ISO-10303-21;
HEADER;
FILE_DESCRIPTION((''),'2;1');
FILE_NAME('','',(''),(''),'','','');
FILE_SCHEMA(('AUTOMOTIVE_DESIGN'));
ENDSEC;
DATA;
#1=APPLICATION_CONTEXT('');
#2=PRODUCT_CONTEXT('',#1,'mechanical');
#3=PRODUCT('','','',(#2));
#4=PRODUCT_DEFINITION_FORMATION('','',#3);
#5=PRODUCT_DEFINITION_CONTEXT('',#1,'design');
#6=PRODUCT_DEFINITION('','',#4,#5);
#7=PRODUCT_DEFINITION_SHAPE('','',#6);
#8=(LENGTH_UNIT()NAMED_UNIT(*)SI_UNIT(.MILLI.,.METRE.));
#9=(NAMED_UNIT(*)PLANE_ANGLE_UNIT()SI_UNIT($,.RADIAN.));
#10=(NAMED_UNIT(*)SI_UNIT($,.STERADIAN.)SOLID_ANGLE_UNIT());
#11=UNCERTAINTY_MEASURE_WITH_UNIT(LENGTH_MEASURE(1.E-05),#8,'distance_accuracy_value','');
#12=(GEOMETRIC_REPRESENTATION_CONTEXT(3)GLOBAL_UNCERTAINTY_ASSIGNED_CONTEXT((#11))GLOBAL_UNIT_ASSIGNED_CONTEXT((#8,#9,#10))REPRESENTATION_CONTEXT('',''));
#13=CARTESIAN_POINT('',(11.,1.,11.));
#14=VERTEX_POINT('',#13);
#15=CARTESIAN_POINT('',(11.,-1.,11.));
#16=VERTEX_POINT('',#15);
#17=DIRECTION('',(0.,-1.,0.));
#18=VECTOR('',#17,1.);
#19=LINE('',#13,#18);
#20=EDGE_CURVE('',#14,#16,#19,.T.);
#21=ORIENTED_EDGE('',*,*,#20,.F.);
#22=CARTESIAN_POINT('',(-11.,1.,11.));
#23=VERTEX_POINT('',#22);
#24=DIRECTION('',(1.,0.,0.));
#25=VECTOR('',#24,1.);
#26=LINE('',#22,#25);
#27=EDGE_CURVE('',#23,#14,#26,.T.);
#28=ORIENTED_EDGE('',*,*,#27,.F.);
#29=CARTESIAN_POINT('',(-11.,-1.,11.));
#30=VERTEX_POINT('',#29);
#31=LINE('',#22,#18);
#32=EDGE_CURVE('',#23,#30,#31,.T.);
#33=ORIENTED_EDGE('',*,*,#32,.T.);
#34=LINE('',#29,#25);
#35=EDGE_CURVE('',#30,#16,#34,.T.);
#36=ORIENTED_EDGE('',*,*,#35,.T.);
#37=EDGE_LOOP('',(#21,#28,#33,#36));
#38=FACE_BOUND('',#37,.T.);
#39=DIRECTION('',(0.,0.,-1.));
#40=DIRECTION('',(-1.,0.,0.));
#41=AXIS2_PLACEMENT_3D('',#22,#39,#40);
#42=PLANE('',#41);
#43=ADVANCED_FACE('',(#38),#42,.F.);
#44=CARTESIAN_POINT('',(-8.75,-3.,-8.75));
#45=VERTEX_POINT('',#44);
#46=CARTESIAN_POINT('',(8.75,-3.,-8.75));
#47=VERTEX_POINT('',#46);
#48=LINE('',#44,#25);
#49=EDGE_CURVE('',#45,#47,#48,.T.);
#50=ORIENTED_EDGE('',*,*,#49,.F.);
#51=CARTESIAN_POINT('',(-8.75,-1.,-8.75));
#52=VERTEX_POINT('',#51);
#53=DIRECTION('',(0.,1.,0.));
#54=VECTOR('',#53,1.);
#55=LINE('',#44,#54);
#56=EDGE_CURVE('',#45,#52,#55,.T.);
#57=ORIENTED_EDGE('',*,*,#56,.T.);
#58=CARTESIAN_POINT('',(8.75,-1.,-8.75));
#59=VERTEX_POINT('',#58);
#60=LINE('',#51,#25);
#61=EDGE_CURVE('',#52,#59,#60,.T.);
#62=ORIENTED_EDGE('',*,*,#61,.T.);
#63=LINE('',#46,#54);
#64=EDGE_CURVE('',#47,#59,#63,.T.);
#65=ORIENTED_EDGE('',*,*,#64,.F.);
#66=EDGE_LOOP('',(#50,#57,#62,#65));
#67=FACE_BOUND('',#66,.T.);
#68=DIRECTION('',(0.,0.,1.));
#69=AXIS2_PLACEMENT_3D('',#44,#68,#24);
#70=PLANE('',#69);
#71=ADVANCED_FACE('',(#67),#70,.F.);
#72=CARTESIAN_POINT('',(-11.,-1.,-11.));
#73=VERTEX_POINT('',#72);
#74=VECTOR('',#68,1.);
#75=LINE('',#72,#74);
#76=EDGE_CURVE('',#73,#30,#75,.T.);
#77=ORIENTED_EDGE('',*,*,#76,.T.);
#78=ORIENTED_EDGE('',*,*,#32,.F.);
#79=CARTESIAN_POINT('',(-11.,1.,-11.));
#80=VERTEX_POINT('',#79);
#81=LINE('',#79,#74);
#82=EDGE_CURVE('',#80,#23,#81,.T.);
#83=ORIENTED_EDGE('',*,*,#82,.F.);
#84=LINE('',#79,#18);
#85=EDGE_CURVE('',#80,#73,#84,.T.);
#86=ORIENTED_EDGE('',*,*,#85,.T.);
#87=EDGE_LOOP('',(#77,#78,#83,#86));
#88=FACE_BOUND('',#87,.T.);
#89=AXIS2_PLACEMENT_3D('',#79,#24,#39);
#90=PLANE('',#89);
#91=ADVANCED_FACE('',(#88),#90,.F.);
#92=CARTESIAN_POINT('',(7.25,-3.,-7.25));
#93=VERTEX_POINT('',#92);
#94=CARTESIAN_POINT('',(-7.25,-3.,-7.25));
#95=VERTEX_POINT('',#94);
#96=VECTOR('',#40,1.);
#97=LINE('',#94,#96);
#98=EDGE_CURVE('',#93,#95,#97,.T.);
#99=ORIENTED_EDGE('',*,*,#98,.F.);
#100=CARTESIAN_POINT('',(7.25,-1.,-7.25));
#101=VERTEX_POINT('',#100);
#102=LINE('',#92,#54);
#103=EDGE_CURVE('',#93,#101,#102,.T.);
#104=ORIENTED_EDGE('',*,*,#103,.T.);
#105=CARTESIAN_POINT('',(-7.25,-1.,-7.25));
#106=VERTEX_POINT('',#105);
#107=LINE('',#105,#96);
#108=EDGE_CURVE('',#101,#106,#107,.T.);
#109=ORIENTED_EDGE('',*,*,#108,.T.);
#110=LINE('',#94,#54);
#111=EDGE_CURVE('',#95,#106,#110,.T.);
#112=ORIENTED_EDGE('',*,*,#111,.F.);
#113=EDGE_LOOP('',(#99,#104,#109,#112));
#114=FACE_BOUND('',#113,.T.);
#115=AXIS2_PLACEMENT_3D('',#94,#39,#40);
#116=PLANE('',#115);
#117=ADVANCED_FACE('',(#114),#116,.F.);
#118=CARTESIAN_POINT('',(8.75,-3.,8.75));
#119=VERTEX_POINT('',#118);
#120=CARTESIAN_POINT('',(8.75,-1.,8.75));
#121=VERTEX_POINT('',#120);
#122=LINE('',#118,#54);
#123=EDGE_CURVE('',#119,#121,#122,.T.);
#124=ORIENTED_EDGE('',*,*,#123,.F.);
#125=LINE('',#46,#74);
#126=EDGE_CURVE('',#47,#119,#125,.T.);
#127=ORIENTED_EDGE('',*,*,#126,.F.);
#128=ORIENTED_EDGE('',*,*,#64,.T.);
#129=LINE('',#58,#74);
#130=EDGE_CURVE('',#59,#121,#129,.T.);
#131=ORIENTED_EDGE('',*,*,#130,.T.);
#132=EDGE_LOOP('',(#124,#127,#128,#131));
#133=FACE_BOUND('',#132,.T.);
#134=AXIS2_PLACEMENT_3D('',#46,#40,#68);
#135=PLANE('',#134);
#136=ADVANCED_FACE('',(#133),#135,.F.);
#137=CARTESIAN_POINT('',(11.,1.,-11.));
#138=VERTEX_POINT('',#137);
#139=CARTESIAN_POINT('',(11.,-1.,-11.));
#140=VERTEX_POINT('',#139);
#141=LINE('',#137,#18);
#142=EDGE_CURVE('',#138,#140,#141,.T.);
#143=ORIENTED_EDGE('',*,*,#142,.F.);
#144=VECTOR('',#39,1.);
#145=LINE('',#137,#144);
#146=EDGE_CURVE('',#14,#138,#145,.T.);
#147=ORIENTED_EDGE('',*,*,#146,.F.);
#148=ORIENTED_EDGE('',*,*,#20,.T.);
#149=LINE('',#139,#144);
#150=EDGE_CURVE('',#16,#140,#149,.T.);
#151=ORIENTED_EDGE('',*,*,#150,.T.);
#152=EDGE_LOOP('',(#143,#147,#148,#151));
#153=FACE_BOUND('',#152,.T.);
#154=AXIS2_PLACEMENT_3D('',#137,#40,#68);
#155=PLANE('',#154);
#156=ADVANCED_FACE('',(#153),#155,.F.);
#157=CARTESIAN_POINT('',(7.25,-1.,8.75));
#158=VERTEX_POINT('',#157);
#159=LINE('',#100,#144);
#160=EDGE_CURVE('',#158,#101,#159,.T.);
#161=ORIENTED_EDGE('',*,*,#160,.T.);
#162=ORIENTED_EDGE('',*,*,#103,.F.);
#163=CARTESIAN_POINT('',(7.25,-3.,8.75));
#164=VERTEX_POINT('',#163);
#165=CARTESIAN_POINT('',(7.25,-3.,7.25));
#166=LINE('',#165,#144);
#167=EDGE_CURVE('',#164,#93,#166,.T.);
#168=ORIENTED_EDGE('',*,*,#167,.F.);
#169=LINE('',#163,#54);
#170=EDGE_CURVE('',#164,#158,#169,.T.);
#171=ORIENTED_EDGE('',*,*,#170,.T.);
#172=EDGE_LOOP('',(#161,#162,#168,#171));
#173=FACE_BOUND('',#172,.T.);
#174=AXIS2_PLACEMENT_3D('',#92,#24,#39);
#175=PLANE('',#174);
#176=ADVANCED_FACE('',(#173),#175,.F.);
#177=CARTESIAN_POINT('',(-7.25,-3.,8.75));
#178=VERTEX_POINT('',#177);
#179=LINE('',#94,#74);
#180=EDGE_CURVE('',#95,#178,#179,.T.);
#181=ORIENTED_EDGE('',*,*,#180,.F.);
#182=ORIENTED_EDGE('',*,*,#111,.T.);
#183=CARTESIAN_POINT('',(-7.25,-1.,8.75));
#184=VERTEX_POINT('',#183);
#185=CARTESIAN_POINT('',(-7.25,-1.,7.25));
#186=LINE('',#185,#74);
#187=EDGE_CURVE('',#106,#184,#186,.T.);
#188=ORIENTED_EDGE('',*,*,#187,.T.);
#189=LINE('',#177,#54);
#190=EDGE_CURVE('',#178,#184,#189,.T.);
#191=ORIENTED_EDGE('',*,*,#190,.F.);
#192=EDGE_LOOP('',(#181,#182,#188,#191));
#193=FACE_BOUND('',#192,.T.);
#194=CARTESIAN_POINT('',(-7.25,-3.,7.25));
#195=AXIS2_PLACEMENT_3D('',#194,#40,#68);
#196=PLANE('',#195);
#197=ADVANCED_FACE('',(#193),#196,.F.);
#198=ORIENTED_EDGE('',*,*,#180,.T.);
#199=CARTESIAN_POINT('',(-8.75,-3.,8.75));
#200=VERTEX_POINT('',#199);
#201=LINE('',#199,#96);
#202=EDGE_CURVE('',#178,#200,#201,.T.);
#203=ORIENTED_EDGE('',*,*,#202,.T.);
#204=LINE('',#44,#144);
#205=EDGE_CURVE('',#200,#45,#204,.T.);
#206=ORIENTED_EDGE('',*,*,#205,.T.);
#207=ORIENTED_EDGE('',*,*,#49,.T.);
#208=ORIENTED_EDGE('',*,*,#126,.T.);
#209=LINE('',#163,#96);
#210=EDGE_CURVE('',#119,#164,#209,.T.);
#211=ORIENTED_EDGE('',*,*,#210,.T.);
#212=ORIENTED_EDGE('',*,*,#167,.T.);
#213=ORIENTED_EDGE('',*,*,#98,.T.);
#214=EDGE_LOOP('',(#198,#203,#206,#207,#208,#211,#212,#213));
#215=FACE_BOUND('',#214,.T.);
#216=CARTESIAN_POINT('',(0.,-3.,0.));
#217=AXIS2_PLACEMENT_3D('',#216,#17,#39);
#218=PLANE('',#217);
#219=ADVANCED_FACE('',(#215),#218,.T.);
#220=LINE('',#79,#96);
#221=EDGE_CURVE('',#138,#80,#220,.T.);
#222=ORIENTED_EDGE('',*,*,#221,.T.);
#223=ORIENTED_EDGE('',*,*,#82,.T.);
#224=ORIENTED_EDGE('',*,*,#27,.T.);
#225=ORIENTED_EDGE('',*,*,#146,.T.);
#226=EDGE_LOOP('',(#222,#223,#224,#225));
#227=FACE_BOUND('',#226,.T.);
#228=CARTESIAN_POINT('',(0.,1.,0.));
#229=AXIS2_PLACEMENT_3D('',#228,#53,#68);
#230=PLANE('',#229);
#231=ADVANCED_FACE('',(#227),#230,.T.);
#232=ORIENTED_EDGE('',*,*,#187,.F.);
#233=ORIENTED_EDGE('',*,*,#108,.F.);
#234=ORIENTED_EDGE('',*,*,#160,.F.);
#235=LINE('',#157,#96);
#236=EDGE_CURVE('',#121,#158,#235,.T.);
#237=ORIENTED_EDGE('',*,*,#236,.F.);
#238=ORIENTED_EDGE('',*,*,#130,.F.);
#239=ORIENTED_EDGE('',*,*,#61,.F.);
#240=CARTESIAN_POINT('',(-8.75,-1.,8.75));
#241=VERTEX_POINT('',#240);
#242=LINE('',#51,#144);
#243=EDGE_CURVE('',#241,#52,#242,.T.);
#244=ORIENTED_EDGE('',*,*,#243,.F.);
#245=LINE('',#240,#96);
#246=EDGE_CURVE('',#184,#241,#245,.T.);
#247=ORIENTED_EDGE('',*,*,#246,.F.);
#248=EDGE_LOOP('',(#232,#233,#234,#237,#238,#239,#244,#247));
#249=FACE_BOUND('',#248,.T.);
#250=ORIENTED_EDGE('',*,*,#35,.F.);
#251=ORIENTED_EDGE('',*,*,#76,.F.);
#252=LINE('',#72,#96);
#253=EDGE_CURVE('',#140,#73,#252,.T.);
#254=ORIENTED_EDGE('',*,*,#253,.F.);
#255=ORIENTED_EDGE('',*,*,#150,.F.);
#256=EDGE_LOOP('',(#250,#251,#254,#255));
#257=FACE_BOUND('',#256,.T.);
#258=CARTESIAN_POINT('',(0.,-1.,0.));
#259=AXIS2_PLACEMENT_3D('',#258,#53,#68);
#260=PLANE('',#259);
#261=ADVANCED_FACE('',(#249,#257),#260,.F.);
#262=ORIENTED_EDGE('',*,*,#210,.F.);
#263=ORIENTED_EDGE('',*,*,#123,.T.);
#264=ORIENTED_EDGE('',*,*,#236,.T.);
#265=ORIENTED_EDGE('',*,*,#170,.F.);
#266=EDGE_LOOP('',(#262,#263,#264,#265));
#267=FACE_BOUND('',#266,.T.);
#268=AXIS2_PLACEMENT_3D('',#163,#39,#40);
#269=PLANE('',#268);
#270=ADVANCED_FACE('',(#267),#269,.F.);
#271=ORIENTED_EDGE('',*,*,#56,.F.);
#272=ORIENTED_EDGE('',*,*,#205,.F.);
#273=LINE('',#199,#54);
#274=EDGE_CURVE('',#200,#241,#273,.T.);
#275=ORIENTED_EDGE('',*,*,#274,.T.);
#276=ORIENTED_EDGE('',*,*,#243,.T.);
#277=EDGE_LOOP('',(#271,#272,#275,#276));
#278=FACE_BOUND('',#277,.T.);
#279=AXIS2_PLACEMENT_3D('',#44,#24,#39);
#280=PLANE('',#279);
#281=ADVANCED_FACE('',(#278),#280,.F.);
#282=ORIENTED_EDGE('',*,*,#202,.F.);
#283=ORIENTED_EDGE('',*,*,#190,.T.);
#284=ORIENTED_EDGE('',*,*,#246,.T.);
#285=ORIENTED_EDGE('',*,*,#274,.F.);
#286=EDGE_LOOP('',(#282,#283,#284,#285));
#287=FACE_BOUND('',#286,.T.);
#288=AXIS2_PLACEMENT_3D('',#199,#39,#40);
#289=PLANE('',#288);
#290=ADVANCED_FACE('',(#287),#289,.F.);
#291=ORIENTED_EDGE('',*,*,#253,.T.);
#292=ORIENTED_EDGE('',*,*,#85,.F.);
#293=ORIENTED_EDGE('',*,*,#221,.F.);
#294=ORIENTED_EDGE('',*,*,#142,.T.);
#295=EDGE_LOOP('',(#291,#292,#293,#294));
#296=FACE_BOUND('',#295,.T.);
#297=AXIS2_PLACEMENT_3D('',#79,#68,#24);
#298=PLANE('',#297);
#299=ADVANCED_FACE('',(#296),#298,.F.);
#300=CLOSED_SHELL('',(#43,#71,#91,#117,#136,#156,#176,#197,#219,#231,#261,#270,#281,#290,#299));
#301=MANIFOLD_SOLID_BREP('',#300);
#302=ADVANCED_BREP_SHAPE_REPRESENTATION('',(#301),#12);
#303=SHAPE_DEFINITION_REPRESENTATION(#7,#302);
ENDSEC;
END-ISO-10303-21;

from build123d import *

# Parameters (mm, degrees)
SKETCH1_W           = 22
SKETCH1_H           = 22
BOSS_EXTRUDE1_DEPTH = 1
BOSS_EXTRUDE2_DEPTH = 2


with BuildPart() as part:
    # Sketch1 → Boss-Extrude1 (new, symmetric)
    with BuildSketch(Plane(origin=(0, 0, 0), x_dir=(1, 0, 0), z_dir=(0, 1, 0))):
        Rectangle(SKETCH1_W, SKETCH1_H)
    extrude(amount=BOSS_EXTRUDE1_DEPTH, both=True)

    # Sketch2 → Boss-Extrude2 (add)
    with BuildSketch(Plane.XZ.offset(1)):
        Polygon((-7.25, 7.25), (-7.25, 8.75), (-8.75, 8.75), (-8.75, -8.75), (8.75, -8.75), (8.75, 8.75), (7.25, 8.75), (7.25, 7.25), (7.25, -7.25), (-7.25, -7.25), align=None)
    extrude(amount=BOSS_EXTRUDE2_DEPTH)


solid = part.part
